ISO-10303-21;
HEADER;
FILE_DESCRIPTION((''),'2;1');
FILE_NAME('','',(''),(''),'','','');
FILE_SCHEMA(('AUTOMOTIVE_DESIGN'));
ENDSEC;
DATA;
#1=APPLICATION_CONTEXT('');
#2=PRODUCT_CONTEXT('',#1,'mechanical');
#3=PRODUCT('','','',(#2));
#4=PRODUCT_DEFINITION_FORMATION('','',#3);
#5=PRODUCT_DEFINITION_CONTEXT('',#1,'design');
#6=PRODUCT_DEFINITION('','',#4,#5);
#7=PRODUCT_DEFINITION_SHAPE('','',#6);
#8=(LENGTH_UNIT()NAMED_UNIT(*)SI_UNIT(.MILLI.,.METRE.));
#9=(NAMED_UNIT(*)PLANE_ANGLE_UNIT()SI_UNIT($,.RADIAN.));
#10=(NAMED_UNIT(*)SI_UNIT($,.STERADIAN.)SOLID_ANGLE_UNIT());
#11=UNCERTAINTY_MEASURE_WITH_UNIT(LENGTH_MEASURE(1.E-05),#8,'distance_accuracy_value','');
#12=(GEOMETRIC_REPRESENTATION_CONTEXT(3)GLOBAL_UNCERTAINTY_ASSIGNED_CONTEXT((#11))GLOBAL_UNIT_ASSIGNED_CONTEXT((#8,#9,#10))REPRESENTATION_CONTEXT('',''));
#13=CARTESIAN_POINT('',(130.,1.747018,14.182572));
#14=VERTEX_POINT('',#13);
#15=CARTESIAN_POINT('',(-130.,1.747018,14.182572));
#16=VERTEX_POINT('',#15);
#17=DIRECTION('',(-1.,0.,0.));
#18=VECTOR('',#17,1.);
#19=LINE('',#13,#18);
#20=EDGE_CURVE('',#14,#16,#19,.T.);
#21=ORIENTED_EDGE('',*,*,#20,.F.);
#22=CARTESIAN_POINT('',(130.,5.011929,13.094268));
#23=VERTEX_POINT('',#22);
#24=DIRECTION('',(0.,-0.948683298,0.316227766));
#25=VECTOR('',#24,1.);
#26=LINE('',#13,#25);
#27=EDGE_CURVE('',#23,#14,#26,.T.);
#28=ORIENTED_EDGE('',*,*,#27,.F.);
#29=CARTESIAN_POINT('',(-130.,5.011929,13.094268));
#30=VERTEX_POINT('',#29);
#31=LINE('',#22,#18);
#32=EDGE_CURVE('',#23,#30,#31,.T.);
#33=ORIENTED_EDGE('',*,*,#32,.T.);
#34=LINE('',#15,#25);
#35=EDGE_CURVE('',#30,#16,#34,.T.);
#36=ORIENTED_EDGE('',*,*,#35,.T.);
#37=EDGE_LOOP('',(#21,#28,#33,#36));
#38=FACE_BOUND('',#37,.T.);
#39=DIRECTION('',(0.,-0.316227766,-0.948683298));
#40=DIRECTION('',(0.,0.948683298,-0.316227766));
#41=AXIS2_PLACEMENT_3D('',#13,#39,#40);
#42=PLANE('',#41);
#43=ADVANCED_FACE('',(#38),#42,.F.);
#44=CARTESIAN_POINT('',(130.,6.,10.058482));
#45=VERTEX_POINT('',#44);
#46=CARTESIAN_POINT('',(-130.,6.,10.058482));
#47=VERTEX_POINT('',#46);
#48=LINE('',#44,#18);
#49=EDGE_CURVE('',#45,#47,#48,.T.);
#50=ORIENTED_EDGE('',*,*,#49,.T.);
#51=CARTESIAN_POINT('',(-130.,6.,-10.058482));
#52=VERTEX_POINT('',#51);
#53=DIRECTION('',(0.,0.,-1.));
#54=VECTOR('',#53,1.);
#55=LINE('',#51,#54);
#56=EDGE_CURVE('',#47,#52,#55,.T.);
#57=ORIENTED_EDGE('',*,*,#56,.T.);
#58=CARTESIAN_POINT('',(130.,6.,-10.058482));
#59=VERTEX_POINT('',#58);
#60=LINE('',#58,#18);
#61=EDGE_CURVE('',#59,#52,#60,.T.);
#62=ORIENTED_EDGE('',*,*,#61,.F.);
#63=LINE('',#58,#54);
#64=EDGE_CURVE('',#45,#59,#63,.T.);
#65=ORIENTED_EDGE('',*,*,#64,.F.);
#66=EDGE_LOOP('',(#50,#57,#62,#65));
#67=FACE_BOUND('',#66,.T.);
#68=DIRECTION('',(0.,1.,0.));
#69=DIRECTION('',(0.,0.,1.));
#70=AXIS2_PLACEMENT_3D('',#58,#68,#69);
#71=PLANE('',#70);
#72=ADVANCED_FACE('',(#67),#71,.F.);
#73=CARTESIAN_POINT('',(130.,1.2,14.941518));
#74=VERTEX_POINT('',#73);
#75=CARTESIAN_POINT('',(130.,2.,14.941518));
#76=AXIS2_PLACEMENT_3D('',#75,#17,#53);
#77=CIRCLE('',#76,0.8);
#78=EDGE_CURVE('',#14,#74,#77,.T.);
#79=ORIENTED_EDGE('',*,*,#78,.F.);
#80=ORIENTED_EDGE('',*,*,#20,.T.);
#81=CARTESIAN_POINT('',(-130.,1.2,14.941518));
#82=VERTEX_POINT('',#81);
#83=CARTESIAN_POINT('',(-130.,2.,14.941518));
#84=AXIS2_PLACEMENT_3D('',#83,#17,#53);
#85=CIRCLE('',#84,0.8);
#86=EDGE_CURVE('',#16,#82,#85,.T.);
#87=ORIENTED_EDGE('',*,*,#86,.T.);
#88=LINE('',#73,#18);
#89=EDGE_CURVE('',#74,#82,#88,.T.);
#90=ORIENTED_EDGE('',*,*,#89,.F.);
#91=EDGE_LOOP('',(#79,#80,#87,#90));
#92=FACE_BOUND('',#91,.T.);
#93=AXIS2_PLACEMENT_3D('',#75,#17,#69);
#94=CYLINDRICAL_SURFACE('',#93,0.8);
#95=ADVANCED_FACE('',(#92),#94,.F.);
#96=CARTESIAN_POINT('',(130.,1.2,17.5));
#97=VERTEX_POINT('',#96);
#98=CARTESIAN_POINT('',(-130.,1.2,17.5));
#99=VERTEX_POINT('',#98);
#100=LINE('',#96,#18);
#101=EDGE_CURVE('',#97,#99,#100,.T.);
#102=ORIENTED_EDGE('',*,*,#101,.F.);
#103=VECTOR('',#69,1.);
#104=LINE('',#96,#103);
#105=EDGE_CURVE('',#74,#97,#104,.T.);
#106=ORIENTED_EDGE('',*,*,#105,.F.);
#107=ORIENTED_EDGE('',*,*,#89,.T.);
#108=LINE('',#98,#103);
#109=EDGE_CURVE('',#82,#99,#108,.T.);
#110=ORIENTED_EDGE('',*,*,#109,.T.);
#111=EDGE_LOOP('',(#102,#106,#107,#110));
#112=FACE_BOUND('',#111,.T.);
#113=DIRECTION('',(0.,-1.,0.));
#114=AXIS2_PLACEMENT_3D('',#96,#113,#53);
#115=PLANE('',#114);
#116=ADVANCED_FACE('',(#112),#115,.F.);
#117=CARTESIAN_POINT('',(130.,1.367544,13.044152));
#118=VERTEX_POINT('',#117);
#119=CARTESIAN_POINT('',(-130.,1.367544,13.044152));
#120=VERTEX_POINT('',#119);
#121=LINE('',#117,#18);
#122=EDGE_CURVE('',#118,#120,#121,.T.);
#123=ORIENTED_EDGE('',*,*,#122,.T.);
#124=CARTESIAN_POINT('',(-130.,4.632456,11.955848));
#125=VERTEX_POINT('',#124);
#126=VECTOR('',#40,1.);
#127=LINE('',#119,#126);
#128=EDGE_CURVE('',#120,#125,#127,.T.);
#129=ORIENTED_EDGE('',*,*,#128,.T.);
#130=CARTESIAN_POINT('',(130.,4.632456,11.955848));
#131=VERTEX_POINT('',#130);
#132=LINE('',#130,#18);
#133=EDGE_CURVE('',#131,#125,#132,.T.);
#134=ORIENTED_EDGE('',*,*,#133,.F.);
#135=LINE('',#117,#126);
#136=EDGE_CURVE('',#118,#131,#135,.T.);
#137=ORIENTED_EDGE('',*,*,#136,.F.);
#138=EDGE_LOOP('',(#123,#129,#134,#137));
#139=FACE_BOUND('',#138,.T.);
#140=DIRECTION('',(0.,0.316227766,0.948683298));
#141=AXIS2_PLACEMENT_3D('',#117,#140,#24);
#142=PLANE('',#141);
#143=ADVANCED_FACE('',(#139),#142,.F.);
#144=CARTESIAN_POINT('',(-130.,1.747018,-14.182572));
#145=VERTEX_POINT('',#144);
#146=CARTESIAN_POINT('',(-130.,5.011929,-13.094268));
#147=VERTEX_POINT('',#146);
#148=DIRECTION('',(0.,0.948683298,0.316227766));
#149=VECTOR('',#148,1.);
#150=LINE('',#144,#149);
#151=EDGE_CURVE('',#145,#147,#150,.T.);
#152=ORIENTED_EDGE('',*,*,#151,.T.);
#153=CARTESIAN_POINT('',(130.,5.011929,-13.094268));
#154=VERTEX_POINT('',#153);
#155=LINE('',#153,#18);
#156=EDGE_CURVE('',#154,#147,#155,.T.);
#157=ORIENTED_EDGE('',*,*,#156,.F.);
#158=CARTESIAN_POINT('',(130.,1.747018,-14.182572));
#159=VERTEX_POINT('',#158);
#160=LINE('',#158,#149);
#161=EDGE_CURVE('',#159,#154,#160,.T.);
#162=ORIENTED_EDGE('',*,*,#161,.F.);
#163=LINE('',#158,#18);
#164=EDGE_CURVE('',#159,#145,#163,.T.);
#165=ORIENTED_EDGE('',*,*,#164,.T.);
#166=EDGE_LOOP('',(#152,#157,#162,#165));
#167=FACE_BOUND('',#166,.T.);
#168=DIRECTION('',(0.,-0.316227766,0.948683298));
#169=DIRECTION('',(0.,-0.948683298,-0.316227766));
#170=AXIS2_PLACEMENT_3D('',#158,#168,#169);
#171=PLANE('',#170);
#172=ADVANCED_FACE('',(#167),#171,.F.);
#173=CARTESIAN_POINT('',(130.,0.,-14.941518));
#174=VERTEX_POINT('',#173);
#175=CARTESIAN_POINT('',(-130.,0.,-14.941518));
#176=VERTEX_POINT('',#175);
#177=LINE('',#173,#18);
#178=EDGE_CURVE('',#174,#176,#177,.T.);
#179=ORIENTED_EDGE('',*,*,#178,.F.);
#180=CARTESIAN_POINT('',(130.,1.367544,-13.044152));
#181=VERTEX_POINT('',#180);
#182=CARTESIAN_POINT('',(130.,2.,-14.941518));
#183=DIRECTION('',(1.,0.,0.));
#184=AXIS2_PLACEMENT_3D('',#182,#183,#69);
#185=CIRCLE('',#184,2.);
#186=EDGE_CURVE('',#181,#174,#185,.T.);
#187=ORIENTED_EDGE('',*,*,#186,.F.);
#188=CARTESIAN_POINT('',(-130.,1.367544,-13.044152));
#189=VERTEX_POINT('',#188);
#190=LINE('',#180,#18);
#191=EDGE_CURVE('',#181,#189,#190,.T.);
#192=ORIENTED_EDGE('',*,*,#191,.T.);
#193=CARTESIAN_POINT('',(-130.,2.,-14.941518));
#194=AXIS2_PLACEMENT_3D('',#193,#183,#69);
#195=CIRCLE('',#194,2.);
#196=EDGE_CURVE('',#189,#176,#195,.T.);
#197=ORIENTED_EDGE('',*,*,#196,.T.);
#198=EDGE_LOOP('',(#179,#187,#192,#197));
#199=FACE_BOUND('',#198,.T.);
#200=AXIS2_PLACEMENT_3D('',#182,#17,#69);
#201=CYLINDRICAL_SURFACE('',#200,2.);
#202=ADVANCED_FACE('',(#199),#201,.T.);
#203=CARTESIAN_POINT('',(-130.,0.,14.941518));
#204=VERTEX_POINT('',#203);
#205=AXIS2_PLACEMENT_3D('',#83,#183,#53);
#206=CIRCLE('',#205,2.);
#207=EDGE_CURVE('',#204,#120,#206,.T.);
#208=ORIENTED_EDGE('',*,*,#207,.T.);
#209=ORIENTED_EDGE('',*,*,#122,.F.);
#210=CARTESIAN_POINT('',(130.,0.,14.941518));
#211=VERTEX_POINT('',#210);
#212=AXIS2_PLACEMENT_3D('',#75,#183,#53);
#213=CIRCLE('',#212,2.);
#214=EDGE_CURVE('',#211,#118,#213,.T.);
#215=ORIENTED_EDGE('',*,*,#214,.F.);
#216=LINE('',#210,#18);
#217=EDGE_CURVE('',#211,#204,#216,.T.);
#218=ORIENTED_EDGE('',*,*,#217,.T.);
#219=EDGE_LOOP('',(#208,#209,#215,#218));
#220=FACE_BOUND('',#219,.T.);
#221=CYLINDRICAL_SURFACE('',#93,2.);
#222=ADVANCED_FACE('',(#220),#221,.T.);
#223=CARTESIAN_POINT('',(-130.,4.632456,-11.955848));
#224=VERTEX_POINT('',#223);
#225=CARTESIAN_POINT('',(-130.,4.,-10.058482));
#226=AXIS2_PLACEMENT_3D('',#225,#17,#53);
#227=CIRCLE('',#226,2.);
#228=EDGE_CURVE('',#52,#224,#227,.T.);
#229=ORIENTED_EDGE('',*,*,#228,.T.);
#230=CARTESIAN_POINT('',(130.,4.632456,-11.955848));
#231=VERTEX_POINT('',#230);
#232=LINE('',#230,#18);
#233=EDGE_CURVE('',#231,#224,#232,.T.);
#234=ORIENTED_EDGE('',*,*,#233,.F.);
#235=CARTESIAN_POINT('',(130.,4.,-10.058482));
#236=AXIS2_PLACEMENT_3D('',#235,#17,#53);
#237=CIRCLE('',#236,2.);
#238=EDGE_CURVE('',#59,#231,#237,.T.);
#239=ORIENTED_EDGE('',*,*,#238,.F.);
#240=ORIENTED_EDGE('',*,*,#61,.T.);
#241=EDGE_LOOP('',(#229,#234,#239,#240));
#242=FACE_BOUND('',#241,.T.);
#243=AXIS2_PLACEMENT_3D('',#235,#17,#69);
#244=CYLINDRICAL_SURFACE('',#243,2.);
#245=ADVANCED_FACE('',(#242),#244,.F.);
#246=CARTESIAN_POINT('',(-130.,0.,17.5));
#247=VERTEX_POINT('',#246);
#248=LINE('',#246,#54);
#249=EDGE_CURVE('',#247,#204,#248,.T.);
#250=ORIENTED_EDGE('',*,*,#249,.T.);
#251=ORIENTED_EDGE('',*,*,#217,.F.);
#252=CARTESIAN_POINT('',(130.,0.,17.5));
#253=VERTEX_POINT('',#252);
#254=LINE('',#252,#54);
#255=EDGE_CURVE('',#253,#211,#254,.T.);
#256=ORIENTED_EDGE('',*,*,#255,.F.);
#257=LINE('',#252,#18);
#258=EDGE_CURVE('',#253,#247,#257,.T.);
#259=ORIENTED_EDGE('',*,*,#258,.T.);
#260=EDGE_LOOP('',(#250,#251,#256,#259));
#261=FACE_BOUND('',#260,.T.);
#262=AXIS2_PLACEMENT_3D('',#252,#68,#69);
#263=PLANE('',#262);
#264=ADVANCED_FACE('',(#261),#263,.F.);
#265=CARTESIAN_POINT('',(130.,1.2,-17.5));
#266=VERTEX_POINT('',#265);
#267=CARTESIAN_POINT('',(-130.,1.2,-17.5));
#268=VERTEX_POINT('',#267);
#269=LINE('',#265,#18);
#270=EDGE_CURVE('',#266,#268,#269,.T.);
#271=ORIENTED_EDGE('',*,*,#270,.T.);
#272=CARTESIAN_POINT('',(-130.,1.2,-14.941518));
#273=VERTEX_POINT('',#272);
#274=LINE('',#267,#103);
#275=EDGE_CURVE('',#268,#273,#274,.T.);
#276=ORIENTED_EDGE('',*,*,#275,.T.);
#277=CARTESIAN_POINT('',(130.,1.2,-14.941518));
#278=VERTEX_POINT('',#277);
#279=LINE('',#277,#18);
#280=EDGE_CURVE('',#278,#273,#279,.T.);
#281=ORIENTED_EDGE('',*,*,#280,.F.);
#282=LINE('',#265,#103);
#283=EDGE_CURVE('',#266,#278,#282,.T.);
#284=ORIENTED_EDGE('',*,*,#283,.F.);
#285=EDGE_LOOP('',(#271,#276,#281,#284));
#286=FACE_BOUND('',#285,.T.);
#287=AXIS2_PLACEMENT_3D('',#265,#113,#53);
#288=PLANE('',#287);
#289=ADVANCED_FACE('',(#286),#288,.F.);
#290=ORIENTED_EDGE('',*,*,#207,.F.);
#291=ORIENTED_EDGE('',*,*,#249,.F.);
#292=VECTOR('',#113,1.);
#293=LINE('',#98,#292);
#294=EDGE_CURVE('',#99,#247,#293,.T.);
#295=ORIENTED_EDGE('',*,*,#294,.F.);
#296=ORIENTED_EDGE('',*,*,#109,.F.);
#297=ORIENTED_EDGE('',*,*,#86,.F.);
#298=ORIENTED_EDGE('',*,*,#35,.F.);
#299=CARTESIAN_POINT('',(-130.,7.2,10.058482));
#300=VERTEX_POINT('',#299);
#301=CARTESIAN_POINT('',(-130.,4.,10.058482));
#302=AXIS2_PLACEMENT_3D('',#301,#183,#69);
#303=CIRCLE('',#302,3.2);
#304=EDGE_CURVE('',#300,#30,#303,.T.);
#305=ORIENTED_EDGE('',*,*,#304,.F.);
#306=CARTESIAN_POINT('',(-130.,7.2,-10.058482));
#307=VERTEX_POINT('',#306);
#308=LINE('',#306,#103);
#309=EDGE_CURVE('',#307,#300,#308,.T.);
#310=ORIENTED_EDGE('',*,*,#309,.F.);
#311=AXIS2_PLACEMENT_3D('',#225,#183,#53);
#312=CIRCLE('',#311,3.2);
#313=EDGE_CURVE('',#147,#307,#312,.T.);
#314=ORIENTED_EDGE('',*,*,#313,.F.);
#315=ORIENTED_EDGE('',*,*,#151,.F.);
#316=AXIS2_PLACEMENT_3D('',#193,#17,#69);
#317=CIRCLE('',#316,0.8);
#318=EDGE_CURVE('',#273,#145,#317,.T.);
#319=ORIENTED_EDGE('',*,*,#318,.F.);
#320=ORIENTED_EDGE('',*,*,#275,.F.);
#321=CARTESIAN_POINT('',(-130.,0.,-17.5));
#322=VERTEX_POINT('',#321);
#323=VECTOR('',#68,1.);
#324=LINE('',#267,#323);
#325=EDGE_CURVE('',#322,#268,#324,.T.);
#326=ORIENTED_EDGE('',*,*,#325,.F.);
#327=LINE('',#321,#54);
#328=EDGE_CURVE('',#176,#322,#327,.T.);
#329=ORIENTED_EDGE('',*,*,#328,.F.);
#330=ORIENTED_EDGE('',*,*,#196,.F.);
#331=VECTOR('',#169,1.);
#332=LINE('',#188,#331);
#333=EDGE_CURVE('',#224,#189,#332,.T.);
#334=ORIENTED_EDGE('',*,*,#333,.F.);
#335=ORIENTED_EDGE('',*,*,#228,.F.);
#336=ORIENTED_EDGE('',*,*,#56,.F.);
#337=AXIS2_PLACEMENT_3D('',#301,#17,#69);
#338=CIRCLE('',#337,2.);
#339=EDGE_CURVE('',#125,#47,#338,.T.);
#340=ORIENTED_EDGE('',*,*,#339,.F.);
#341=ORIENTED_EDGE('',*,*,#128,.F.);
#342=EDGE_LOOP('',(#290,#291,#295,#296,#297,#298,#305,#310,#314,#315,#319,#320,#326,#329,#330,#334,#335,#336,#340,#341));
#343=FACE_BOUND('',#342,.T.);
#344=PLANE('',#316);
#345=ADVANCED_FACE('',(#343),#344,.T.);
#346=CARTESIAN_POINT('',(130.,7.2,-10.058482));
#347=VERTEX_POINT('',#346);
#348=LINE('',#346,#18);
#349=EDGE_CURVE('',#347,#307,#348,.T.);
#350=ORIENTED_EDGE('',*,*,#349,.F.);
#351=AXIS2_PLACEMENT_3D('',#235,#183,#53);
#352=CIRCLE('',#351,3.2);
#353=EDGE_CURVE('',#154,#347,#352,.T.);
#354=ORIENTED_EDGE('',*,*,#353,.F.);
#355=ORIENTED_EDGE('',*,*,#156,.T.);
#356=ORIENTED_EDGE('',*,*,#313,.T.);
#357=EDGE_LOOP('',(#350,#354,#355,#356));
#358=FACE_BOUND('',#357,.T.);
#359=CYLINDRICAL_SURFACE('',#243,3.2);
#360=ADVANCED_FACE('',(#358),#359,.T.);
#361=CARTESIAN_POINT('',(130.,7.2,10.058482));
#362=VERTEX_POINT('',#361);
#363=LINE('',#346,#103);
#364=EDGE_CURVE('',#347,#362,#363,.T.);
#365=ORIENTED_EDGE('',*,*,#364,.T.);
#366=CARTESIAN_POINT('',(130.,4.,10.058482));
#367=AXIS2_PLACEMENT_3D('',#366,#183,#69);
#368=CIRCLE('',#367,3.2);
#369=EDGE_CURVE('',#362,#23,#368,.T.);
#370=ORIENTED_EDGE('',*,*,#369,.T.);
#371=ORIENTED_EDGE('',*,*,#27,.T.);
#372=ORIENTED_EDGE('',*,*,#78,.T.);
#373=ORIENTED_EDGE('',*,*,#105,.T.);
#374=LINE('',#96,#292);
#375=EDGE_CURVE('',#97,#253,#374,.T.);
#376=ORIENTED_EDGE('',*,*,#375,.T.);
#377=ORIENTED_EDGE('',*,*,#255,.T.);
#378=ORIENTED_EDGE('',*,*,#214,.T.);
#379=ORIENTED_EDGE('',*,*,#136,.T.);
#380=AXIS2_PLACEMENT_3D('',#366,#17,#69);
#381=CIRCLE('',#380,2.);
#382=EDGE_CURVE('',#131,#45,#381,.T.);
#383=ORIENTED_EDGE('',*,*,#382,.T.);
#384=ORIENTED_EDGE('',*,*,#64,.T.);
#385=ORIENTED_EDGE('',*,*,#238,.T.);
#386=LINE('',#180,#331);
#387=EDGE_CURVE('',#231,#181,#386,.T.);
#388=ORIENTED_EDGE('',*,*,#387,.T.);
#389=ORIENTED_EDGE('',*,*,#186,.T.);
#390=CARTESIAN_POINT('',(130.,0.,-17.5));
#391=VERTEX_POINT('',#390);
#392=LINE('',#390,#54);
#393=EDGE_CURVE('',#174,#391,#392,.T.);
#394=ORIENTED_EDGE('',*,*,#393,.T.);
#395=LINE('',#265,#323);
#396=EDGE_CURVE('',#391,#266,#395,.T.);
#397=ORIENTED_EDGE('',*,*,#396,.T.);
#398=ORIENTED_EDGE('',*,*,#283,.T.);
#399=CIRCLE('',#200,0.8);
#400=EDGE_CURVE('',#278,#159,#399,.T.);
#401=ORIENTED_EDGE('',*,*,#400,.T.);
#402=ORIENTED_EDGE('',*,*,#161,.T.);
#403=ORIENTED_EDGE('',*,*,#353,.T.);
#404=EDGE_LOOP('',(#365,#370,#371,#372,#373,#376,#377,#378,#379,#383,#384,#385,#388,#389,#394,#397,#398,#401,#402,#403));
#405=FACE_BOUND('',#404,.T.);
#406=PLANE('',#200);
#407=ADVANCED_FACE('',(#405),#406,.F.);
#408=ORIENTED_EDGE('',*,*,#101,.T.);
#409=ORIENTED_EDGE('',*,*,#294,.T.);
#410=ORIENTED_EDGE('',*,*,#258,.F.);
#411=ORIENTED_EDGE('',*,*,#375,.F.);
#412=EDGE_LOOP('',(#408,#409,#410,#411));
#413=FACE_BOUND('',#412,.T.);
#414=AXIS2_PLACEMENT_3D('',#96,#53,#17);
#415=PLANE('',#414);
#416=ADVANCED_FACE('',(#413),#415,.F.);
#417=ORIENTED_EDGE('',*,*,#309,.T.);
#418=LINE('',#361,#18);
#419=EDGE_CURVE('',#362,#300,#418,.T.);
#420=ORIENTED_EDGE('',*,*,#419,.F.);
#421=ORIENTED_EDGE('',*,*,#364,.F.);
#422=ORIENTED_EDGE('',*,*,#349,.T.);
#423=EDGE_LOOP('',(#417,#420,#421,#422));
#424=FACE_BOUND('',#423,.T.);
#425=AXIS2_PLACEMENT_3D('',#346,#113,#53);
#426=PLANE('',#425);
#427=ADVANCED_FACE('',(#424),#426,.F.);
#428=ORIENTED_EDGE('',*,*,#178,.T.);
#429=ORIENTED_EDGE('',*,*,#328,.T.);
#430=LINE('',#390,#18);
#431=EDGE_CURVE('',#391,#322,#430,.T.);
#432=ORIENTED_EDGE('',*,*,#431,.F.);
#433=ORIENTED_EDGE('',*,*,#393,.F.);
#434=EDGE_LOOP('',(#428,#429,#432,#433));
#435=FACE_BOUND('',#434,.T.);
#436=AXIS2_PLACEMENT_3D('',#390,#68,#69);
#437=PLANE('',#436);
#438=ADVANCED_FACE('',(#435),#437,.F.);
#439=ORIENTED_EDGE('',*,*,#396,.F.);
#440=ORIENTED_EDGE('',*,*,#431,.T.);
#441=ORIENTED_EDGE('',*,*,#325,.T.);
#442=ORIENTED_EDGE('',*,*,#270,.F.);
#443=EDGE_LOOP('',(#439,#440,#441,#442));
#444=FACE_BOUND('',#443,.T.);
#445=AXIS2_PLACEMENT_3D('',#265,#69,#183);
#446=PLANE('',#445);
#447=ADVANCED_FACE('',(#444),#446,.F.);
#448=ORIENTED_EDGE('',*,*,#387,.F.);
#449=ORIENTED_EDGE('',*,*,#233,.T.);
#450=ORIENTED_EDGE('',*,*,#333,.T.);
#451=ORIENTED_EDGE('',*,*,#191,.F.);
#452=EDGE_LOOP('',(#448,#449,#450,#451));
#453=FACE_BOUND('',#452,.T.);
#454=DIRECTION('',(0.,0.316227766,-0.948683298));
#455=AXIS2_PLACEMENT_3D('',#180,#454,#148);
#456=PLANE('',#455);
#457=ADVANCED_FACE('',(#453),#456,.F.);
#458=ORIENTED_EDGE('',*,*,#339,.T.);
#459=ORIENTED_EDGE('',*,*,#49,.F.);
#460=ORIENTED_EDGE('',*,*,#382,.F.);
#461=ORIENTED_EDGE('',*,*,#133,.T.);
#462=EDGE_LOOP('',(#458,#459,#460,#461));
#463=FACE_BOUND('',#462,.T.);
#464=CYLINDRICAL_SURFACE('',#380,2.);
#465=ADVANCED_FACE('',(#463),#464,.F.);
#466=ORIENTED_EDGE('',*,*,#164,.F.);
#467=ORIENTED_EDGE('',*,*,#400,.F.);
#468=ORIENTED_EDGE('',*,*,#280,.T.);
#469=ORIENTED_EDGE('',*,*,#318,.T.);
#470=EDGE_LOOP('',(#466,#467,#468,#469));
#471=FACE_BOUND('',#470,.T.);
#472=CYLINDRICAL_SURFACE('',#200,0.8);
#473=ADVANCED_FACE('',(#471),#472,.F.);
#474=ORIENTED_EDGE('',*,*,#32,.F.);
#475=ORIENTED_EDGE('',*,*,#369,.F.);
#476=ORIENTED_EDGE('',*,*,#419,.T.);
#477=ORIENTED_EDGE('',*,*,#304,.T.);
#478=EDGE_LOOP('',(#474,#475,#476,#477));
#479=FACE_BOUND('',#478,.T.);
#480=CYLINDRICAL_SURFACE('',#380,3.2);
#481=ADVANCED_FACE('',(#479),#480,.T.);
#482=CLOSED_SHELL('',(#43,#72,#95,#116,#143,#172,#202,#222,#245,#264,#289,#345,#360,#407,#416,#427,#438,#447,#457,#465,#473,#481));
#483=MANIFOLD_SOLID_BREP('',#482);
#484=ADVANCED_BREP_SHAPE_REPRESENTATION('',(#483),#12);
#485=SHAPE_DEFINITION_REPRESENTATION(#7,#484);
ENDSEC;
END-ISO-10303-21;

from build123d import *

# Parameters (mm, degrees)
EXTRUDE_1_DEPTH = 130


with BuildPart() as part:
    # 草图1 → 凸台-拉伸1 (new, symmetric)
    with BuildSketch(Plane(origin=(0, 0, 0), x_dir=(0, 0, -1), z_dir=(1, 0, 0))):
        with BuildLine():
            Line((17.5, 0), (14.94151844, 0))
            ThreePointArc((14.94151844, 0), (13.772097871, 0.37751563), (13.044151844, 1.367544468))
            Line((13.044151844, 1.367544468), (11.955848156, 4.632455532))
            ThreePointArc((11.955848156, 4.632455532), (11.227902129, 5.62248437), (10.05848156, 6))
            Line((10.05848156, 6), (-10.05848156, 6))
            ThreePointArc((-10.05848156, 6), (-11.227902129, 5.62248437), (-11.955848156, 4.632455532))
            Line((-11.955848156, 4.632455532), (-13.044151844, 1.367544468))
            ThreePointArc((-13.044151844, 1.367544468), (-13.772097871, 0.37751563), (-14.94151844, 0))
            Line((-14.94151844, 0), (-17.5, 0))
            Line((-17.5, 0), (-17.5, 1.2))
            Line((-17.5, 1.2), (-14.94151844, 1.2))
            ThreePointArc((-14.94151844, 1.2), (-14.473750212, 1.351006252), (-14.182571802, 1.747017787))
            Line((-14.182571802, 1.747017787), (-13.094268114, 5.011928851))
            ThreePointArc((-13.094268114, 5.011928851), (-11.929554471, 6.595974993), (-10.05848156, 7.2))
            Line((-10.05848156, 7.2), (10.05848156, 7.2))
            ThreePointArc((10.05848156, 7.2), (11.929554471, 6.595974993), (13.094268114, 5.011928851))
            Line((13.094268114, 5.011928851), (14.182571802, 1.747017787))
            ThreePointArc((14.182571802, 1.747017787), (14.473750212, 1.351006252), (14.94151844, 1.2))
            Line((14.94151844, 1.2), (17.5, 1.2))
            Line((17.5, 1.2), (17.5, 0))
        make_face()
    extrude(amount=EXTRUDE_1_DEPTH, both=True)


solid = part.part
